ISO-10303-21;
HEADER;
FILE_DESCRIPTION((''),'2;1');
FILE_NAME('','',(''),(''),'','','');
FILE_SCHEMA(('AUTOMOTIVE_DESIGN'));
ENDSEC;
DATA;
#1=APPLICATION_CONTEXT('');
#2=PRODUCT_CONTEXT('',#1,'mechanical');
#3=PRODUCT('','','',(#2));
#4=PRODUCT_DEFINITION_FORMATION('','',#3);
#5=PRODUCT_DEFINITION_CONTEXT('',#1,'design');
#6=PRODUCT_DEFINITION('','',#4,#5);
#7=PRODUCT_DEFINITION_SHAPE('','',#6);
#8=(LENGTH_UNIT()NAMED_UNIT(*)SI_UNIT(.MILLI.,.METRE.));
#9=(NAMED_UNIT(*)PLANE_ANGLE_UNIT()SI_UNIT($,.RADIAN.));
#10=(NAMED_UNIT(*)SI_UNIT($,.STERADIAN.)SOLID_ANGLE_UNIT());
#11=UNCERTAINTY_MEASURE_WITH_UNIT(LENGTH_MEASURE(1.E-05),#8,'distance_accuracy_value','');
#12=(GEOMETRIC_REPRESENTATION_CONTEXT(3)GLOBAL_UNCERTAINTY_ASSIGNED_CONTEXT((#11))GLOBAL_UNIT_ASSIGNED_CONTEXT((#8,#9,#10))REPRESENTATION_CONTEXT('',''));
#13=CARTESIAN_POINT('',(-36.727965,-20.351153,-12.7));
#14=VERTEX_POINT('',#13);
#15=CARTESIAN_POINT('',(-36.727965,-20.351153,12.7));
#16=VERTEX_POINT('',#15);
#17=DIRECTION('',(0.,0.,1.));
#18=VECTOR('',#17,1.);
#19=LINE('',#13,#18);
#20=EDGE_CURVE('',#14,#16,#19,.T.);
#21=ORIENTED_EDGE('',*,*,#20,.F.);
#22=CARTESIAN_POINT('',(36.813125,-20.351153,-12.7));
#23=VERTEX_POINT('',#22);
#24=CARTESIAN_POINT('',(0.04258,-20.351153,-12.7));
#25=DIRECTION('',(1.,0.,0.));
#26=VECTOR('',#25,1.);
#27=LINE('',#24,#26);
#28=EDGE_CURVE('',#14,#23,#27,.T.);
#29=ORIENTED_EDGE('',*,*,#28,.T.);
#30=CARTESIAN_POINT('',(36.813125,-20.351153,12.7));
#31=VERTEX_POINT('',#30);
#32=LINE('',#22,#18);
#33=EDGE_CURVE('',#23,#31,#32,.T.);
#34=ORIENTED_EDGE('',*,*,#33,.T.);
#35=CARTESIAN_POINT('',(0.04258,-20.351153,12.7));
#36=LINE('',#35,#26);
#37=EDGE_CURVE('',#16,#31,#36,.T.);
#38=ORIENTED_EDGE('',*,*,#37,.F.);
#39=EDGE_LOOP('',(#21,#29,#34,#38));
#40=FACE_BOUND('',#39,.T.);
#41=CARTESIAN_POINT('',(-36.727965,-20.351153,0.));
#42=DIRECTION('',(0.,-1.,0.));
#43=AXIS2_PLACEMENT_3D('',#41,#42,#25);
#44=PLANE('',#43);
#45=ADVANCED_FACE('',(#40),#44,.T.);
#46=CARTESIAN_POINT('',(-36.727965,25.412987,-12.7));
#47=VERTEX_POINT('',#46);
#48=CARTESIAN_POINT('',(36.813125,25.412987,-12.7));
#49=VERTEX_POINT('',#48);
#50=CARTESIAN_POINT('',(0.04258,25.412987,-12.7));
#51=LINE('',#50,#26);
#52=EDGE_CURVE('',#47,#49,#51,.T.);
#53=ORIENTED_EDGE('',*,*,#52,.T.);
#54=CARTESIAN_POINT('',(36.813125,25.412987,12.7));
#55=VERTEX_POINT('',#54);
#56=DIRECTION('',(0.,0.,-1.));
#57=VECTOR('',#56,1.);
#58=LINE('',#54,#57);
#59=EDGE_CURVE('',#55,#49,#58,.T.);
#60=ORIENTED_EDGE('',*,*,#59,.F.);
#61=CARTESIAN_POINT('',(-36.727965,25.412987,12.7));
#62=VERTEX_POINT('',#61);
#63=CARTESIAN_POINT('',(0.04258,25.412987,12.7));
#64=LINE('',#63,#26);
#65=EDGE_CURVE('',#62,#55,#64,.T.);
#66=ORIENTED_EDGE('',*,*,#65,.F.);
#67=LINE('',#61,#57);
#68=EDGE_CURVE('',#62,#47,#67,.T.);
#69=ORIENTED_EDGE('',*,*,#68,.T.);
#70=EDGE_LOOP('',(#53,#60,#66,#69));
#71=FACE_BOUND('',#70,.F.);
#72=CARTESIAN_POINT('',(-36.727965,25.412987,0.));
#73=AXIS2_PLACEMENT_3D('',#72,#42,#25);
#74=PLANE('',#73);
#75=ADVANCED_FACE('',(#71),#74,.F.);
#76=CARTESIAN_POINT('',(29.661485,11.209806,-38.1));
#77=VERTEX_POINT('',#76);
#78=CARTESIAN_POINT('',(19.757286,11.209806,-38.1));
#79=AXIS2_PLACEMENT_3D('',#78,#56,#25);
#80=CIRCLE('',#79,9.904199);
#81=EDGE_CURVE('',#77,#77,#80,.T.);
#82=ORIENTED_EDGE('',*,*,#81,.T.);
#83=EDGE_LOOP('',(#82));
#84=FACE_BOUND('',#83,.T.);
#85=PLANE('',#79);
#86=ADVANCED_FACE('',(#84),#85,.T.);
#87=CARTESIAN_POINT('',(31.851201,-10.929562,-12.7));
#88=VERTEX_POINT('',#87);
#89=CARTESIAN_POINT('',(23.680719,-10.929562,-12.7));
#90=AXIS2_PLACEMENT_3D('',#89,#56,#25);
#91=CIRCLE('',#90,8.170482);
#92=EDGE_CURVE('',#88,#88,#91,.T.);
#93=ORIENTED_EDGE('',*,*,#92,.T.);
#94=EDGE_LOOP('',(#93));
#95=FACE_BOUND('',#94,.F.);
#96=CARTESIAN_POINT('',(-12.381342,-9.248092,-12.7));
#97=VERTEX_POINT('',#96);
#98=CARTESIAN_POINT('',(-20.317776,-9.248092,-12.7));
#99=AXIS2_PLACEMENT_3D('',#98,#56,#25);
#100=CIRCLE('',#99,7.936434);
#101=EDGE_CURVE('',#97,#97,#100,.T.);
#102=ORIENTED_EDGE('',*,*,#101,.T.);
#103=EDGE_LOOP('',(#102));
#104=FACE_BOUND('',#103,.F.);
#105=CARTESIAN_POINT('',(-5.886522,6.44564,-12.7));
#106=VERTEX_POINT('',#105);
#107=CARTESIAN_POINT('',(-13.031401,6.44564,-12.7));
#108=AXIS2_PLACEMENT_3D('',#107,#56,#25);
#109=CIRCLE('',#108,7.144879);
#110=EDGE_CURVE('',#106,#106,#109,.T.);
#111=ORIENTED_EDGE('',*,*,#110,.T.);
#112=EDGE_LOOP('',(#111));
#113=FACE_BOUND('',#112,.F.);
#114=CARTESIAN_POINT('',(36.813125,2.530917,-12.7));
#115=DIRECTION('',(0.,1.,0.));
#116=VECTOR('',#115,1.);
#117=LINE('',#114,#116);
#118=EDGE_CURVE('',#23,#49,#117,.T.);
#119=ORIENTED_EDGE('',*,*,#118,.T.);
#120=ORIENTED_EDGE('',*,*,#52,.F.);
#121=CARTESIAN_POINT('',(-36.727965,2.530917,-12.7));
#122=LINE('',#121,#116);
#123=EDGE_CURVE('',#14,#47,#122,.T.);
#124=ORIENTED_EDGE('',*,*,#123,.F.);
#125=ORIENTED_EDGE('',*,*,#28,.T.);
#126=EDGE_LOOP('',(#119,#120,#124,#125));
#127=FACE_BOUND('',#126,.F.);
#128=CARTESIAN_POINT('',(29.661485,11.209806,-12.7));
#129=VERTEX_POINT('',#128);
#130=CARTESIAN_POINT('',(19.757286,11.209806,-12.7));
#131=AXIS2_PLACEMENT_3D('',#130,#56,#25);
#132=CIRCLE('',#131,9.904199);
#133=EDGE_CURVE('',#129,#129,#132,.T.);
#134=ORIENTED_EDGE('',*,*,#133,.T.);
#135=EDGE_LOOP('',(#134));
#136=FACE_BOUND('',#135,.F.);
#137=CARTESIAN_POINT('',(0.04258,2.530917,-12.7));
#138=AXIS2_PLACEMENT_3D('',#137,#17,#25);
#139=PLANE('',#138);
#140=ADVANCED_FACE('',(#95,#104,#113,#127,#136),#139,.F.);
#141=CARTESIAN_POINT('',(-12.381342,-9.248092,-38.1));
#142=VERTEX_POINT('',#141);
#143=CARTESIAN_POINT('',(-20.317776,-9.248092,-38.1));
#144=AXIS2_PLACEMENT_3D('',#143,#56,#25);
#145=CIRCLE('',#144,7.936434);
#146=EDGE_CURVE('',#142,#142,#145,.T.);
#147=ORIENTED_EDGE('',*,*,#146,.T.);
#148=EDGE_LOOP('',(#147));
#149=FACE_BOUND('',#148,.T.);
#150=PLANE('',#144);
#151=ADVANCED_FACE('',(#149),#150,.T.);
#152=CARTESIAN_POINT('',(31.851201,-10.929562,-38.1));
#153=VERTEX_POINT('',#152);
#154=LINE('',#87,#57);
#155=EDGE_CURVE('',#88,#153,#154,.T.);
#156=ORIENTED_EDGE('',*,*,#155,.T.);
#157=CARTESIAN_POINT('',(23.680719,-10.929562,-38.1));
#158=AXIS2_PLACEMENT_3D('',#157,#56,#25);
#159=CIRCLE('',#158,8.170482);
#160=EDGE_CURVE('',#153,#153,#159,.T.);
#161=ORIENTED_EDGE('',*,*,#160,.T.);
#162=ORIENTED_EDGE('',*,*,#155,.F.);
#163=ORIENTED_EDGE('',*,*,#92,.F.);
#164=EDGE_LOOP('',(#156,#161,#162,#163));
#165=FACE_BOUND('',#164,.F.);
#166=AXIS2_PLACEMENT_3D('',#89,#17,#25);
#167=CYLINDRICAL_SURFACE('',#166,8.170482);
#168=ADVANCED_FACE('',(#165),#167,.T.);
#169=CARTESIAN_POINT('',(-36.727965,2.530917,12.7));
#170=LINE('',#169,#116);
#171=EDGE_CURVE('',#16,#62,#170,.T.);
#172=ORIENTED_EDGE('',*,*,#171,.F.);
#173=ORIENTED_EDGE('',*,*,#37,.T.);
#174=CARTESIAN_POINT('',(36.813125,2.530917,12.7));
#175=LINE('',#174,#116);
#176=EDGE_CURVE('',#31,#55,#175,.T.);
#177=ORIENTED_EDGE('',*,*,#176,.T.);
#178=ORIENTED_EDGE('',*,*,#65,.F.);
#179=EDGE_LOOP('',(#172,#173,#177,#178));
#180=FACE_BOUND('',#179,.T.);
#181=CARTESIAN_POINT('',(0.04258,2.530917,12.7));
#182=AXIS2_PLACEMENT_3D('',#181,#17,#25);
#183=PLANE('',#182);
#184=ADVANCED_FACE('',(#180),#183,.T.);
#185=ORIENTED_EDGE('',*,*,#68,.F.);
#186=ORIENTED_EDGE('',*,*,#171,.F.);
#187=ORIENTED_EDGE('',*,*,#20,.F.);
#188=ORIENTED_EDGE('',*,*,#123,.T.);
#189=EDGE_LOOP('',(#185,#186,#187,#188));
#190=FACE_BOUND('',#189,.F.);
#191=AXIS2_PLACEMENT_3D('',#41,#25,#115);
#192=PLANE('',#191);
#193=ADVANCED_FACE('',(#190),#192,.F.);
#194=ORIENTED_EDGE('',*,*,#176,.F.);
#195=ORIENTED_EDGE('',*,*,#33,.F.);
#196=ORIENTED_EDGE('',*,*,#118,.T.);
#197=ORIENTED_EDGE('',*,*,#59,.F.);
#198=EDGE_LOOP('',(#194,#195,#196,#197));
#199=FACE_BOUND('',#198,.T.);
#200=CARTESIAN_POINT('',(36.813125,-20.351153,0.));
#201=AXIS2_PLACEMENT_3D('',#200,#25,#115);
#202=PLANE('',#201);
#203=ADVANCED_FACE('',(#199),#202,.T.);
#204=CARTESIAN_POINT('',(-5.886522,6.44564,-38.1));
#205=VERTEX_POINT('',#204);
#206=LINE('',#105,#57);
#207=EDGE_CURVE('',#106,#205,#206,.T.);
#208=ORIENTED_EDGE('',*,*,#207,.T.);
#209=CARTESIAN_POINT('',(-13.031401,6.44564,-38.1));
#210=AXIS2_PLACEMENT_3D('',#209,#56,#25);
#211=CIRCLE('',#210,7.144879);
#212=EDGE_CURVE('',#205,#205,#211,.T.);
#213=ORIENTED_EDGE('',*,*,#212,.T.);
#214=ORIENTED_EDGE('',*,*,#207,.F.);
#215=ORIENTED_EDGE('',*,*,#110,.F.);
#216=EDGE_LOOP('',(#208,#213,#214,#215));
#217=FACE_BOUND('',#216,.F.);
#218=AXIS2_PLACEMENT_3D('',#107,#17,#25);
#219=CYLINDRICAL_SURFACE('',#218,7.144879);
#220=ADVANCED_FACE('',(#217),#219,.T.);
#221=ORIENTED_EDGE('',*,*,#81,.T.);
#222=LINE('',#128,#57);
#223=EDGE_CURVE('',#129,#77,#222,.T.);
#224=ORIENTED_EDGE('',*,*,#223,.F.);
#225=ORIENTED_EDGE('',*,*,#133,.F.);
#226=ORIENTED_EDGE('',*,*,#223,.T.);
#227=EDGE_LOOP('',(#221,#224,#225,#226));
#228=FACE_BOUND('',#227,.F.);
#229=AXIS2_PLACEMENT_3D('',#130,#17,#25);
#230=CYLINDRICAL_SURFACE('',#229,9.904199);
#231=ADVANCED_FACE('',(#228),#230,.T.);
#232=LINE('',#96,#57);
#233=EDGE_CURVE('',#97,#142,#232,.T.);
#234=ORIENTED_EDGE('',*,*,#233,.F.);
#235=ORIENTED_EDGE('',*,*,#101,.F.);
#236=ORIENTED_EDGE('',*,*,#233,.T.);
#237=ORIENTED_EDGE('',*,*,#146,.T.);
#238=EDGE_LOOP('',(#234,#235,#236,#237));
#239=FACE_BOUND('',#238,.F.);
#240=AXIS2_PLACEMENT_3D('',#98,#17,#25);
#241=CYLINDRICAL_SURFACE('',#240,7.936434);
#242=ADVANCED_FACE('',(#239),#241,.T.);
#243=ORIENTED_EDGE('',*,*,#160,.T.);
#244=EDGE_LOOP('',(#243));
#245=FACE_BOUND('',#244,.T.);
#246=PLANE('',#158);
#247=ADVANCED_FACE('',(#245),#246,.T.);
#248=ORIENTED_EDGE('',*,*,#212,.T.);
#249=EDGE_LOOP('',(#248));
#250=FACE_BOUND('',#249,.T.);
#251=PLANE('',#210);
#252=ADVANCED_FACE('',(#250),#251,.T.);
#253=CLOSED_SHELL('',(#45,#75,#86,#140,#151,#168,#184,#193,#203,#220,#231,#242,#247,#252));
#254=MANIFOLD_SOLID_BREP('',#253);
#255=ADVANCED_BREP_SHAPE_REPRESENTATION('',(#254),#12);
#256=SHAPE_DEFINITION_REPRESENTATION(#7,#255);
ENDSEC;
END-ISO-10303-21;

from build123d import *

# Parameters (mm, degrees)
F0_W          = 73.54109
F0_H          = 45.764141
F1_DEPTH      = 12.7
F1_DEPTH_BACK = 12.7
F2_R          = 8.170482
F3_DEPTH      = 25.4
F4_R          = 9.904199
F5_DEPTH      = 25.4
F6_R          = 7.936434
F7_DEPTH      = 25.4
F8_R          = 7.144879
F9_DEPTH      = 25.4


with BuildPart() as f1:
    # F0 (on Top) → F1 (new body, two sides)
    with BuildSketch(Plane.XY) as f1_sk:
        with Locations((0.04258, 2.530917)):
            Rectangle(F0_W, F0_H)
    extrude(amount=F1_DEPTH)
    extrude(f1_sk.sketch, amount=-F1_DEPTH_BACK)

    # F2 (on face) → F3 (join)
    with BuildSketch(Plane(origin=(0, 0, -12.7), x_dir=(1, 0, 0), z_dir=(0, 0, -1))):
        with Locations((23.680719, 10.929562)):
            Circle(F2_R)
    extrude(amount=F3_DEPTH)

    # F4 (on face) → F5 (join)
    with BuildSketch(Plane(origin=(0, 0, -12.7), x_dir=(1, 0, 0), z_dir=(0, 0, -1))):
        with Locations((19.757286, -11.209806)):
            Circle(F4_R)
    extrude(amount=F5_DEPTH)

    # F6 (on face) → F7 (join)
    with BuildSketch(Plane(origin=(0, 0, -12.7), x_dir=(1, 0, 0), z_dir=(0, 0, -1))):
        with Locations((-20.317776, 9.248092)):
            Circle(F6_R)
    extrude(amount=F7_DEPTH)

    # F8 (on face) → F9 (join)
    with BuildSketch(Plane(origin=(0, 0, -12.7), x_dir=(1, 0, 0), z_dir=(0, 0, -1))):
        with Locations((-13.031401, -6.44564)):
            Circle(F8_R)
    extrude(amount=F9_DEPTH)


solid = f1.part
